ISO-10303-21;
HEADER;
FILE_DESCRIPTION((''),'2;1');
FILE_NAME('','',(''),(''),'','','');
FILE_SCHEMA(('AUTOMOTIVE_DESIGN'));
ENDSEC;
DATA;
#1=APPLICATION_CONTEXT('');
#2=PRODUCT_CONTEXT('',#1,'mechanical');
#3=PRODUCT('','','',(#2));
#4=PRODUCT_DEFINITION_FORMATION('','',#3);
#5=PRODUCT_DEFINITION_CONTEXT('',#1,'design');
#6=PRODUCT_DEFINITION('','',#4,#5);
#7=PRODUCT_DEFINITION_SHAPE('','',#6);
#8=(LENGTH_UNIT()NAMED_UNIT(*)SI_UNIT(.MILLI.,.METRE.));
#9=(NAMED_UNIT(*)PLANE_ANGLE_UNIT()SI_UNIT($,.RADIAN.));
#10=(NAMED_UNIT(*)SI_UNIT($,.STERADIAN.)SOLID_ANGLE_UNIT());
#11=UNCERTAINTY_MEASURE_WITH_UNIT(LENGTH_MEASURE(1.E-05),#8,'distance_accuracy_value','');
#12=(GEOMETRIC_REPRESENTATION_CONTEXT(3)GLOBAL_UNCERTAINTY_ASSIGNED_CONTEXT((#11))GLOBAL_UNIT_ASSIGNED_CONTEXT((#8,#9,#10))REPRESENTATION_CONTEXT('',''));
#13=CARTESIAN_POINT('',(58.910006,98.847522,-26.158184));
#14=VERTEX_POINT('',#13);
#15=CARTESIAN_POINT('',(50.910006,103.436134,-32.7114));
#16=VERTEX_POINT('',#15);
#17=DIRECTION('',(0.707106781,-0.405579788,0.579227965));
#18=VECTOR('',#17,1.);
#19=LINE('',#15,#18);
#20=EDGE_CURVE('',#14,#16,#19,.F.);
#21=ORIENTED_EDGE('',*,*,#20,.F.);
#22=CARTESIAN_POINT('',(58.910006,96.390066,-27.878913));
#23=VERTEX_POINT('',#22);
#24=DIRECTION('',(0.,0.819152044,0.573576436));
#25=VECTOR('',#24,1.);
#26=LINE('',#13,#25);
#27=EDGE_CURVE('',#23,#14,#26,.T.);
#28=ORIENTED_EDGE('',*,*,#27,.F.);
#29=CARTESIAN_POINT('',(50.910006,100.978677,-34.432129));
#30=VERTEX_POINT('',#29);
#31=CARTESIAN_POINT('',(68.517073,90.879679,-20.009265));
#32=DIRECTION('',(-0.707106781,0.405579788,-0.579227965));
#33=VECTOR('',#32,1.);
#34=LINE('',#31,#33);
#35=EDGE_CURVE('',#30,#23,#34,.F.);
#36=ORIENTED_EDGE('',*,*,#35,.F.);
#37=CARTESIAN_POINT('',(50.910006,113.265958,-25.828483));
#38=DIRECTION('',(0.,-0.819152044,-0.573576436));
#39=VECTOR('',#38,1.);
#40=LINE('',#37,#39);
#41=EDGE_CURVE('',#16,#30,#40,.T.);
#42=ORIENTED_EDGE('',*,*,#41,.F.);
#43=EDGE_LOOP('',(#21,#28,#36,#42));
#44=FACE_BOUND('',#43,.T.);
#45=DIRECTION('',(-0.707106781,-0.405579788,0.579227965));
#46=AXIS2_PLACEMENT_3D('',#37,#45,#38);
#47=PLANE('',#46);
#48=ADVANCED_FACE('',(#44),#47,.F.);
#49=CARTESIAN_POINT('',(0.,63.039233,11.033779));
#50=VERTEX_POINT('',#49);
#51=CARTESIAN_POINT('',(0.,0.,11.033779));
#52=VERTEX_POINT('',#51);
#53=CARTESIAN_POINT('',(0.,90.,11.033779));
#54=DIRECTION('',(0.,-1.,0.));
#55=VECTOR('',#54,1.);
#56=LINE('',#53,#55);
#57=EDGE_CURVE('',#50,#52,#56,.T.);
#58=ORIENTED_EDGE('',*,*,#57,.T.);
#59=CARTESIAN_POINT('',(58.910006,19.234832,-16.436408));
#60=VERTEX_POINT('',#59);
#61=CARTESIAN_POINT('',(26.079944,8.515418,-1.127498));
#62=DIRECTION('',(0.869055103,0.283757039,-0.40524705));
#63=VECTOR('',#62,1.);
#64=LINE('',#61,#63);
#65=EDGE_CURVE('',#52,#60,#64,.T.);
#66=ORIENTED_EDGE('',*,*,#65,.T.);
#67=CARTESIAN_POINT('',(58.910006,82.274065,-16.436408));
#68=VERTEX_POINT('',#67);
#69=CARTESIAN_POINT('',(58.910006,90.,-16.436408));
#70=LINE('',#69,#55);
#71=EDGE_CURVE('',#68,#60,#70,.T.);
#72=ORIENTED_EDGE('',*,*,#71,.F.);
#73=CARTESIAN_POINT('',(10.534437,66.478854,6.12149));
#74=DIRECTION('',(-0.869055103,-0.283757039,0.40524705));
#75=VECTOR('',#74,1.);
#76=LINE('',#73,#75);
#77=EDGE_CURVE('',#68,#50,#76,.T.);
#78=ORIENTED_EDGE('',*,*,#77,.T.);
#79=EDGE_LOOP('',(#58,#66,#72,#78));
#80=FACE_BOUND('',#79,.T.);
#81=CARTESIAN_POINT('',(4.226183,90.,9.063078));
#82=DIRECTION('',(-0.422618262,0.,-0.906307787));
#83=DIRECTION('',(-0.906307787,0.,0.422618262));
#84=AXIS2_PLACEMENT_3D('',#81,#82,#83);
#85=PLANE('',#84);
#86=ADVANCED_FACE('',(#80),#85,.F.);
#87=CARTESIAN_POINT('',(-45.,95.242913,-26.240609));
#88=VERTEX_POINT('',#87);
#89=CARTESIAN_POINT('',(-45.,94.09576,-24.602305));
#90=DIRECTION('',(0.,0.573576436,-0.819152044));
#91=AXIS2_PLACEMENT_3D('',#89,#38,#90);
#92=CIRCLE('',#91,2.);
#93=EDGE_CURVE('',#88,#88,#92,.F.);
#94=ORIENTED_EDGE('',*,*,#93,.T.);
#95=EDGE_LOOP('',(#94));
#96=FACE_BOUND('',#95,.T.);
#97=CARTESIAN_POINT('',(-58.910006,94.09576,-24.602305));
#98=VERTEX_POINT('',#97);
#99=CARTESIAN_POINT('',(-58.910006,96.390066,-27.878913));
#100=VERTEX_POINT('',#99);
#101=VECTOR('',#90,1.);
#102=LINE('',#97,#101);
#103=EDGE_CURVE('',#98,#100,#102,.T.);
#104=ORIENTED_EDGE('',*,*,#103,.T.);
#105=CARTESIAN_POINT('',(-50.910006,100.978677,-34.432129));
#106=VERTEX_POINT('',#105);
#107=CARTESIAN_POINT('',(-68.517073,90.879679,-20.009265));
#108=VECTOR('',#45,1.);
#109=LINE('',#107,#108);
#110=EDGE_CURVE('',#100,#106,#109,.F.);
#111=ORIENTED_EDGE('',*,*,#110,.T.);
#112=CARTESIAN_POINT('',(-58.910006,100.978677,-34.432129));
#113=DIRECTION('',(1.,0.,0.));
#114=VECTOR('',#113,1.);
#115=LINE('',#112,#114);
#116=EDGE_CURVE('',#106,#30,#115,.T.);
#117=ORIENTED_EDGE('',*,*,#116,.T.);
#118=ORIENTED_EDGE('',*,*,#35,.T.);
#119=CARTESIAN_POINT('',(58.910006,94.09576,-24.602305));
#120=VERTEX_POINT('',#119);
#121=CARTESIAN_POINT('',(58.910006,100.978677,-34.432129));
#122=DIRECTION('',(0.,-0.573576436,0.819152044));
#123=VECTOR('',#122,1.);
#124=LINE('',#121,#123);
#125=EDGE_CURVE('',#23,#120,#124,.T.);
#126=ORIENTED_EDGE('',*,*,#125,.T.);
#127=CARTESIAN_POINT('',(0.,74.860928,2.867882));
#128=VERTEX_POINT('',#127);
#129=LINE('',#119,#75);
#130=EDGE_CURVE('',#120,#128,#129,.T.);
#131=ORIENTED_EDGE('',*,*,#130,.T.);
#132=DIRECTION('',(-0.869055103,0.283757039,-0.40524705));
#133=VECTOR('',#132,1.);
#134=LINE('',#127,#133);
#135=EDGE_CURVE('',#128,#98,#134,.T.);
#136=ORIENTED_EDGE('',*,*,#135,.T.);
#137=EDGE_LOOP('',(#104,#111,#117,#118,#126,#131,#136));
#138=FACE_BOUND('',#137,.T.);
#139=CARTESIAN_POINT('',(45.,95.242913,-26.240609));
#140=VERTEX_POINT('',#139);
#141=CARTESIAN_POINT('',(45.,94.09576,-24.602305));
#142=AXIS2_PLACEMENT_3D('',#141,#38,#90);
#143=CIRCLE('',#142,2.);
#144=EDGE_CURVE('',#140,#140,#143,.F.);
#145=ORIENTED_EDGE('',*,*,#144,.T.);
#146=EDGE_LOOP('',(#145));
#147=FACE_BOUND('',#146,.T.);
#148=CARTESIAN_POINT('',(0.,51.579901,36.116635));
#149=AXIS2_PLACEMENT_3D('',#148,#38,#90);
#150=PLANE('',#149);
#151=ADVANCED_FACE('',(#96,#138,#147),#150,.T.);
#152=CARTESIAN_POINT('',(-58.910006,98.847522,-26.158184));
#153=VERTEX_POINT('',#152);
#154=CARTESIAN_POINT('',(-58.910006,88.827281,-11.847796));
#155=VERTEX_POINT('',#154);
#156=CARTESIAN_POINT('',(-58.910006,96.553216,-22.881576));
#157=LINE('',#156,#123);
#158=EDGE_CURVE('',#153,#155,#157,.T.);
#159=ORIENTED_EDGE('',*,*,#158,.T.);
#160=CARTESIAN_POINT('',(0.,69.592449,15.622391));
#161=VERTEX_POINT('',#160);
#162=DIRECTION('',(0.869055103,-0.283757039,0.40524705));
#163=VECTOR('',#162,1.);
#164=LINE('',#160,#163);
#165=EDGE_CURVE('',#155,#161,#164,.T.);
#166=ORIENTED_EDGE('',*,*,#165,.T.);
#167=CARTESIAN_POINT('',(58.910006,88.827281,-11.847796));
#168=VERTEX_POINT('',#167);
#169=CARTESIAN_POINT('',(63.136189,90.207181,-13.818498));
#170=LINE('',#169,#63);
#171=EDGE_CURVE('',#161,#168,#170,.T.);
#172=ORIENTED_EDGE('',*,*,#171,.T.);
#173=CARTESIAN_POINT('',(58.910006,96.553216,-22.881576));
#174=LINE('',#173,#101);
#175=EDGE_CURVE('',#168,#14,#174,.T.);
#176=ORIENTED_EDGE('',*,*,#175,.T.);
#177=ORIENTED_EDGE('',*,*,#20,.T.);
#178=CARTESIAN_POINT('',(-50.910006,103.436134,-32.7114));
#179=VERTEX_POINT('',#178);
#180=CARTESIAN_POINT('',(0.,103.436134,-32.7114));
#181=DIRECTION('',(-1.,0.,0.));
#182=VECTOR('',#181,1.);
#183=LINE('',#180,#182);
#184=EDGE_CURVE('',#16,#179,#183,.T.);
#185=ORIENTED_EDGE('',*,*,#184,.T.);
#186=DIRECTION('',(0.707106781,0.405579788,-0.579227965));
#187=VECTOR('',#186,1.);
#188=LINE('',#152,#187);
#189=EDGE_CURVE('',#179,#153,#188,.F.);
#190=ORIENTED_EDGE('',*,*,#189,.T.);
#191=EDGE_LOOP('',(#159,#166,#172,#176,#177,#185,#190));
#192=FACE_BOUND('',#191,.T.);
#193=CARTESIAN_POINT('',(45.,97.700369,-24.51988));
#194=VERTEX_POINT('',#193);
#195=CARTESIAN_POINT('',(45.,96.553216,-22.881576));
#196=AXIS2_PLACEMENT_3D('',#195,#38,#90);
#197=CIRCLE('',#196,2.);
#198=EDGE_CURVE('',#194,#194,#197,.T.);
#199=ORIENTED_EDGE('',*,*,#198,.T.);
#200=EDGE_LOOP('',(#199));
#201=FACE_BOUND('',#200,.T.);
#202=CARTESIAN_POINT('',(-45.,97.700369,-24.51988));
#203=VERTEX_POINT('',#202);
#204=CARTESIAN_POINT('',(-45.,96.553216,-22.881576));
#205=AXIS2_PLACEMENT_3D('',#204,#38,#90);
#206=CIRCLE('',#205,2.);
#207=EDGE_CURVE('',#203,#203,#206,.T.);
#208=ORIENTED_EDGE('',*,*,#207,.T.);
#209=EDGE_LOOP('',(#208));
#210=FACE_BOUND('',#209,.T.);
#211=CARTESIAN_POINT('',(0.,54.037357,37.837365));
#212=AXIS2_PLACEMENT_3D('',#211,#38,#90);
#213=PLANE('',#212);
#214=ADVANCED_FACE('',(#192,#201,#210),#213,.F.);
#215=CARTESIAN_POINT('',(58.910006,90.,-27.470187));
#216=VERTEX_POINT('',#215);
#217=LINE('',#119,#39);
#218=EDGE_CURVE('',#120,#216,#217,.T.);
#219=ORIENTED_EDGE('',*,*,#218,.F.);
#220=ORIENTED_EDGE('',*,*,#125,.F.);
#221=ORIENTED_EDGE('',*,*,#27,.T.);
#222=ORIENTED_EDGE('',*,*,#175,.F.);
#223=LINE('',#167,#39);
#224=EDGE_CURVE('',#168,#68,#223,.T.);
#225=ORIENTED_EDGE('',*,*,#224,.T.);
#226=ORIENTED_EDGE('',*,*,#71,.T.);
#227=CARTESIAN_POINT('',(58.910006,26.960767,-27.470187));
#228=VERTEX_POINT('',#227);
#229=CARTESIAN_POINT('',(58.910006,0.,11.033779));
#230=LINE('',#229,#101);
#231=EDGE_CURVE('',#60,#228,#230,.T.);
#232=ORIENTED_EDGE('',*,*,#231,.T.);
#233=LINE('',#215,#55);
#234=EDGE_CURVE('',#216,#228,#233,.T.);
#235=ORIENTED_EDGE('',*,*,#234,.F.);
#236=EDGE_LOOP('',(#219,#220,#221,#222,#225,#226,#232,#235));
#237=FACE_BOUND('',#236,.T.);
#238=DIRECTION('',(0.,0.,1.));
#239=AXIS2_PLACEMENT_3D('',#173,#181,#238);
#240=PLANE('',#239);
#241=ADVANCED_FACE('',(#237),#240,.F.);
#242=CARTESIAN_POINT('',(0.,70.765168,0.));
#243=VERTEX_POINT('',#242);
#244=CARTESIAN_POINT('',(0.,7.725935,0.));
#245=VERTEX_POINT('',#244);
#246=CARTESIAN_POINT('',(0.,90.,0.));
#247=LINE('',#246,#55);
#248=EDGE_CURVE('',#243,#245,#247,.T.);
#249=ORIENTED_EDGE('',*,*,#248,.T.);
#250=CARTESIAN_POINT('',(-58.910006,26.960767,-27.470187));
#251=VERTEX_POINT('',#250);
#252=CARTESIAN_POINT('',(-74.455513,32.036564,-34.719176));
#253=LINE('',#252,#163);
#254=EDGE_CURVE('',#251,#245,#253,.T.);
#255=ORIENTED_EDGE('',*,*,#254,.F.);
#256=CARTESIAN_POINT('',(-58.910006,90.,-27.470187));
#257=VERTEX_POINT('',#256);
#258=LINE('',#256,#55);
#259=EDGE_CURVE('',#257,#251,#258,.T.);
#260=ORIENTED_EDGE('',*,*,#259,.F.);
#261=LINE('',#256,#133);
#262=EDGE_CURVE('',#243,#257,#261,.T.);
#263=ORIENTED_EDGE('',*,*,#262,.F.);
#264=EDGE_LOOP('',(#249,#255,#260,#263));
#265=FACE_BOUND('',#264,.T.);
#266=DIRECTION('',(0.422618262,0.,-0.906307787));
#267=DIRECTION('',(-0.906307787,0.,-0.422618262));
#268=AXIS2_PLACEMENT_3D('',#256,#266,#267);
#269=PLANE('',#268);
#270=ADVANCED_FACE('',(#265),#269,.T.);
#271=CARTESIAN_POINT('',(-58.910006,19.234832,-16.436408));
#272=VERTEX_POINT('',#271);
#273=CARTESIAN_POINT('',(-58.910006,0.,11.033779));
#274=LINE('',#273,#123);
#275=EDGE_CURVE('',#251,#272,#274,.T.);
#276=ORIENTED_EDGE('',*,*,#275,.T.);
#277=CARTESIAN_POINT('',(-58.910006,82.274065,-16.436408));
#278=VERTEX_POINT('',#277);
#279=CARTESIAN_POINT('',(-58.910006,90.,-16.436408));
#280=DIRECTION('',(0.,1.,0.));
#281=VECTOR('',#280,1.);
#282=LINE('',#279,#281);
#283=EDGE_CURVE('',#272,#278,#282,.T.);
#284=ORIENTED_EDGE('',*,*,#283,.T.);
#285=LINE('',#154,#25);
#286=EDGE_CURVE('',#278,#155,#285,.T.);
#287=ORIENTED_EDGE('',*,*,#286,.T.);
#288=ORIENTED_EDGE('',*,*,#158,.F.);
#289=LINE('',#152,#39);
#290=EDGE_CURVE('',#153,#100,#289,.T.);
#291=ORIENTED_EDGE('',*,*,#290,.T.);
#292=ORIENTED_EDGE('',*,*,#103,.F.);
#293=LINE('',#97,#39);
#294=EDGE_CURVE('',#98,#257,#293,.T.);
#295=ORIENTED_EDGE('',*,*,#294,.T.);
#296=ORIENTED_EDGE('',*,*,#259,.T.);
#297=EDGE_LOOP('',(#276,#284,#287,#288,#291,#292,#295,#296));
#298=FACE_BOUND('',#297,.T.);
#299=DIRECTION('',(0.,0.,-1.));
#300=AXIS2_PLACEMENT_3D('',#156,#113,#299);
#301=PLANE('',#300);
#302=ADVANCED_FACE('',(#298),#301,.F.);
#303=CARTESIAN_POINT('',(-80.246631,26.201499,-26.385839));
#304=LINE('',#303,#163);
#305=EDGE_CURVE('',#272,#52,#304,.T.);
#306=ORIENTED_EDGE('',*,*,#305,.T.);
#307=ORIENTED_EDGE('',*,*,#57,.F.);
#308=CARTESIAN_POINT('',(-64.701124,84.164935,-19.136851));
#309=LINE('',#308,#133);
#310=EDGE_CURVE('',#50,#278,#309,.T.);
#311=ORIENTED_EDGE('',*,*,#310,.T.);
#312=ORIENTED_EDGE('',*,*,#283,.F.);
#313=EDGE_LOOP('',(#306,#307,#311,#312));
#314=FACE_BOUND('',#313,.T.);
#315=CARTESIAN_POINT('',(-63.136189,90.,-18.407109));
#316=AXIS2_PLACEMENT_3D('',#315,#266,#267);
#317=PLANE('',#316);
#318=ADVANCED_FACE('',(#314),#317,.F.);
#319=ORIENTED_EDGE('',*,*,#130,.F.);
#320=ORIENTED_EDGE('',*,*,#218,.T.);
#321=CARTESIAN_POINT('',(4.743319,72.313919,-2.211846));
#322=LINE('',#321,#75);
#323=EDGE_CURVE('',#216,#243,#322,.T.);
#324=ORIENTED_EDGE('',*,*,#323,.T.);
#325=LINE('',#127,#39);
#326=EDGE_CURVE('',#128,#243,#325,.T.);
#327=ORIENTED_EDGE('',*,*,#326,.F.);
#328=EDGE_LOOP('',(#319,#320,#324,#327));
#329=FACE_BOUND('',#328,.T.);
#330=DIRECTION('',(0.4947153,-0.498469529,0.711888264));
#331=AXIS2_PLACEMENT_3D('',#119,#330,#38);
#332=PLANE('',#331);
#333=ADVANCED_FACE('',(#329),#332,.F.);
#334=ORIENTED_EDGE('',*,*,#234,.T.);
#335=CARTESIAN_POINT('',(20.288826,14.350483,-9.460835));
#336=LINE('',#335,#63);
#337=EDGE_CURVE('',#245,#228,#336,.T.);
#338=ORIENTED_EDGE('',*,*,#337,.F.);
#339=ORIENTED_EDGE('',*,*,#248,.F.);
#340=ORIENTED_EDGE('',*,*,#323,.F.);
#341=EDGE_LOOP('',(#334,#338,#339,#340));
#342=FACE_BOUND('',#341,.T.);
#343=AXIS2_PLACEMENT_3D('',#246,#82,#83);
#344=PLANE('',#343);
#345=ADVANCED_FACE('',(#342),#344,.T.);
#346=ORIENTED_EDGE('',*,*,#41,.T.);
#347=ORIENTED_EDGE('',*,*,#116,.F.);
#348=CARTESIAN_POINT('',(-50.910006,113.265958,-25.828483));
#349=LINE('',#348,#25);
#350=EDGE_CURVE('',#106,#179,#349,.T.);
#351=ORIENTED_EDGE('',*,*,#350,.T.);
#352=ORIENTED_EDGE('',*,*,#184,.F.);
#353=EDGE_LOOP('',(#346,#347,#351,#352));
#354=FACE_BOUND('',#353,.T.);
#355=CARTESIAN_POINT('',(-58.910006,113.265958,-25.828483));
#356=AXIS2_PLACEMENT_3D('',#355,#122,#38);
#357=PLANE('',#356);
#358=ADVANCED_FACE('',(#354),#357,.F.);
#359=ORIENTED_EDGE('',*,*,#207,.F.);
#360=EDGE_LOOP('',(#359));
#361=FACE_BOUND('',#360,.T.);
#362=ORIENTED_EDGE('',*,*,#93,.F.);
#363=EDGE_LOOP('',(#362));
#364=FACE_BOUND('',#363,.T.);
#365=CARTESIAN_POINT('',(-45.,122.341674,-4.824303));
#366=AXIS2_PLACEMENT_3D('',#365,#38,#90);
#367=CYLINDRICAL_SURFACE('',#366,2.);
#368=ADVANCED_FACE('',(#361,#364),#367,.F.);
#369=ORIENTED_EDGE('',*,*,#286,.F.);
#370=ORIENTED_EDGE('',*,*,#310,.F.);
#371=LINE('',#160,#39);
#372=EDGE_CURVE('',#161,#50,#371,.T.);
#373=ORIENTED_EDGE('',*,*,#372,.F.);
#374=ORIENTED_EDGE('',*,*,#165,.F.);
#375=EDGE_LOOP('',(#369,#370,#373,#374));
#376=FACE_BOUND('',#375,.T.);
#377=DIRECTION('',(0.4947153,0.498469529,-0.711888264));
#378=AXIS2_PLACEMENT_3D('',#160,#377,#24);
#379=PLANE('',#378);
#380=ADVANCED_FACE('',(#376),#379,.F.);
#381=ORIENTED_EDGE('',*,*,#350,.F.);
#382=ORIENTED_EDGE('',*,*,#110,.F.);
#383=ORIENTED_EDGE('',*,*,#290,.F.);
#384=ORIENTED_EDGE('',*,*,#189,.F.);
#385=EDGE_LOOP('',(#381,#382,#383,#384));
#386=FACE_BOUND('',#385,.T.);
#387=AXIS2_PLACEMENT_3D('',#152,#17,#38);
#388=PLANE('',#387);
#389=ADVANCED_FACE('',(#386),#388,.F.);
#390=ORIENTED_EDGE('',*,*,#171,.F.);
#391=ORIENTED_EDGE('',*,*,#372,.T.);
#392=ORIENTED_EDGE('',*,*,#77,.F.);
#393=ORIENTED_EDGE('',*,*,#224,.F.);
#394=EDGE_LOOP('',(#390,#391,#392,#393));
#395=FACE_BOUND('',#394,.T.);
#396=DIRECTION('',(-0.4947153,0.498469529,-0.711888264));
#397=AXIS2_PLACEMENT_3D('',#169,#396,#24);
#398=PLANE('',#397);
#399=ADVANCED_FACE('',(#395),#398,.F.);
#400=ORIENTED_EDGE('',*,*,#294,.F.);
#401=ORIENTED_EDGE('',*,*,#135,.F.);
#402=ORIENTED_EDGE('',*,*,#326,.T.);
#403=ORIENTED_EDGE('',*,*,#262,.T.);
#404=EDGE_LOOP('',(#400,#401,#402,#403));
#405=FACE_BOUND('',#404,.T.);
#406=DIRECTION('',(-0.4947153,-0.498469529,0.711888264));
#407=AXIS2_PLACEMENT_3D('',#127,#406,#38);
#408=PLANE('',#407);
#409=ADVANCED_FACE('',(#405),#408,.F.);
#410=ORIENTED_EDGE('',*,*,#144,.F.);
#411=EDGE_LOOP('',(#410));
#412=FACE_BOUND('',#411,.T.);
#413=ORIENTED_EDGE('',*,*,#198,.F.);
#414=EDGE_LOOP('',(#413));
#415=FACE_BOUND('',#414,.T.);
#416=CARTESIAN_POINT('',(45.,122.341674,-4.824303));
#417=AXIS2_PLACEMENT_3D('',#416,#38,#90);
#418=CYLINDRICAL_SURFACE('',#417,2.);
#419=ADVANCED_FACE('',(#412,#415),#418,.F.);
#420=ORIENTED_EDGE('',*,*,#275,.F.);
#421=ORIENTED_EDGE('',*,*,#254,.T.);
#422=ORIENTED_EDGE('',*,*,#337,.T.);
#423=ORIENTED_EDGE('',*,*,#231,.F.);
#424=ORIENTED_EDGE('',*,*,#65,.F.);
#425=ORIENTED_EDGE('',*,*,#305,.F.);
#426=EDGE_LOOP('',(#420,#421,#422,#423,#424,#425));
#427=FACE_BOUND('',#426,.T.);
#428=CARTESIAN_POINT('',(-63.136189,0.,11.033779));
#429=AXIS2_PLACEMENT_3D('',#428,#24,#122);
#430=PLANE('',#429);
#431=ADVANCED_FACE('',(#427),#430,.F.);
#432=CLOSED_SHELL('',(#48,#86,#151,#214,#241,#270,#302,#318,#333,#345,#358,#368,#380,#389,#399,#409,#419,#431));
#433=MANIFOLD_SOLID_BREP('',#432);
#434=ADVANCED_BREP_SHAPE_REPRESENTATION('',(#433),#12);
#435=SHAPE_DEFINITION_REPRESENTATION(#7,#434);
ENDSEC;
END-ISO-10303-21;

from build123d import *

# Parameters (mm, degrees)
EXTRUDE_2_DEPTH          = 90
CUT_EXTRUDE_1_DEPTH      = 114.317207464
CUT_EXTRUDE_1_DEPTH_BACK = 114.317207464
EXTRUDE_3_DEPTH          = 8
SKETCH_8_OUTSIDE_W       = 163.572
SKETCH_8_OUTSIDE_H       = 147.98
SKETCH_8_OUTSIDE_W_2     = 117.820012314
SKETCH_8_OUTSIDE_H_2     = 106.962978805
CUT_EXTRUDE_2_DEPTH      = 117.531399887
SKETCH_9_R               = 2
CUT_EXTRUDE_3_DEPTH      = 115.369004136
SKETCH_10_W              = 117.820012314
SKETCH_10_H              = 8
CUT_EXTRUDE_4_DEPTH      = 20
CUT_EXTRUDE_6_DEPTH      = 5
CHAMFER_1_SIZE           = 8


with BuildPart() as part:
    # 草图5 → 拉伸-薄壁2 (new body)
    with BuildSketch(Plane(origin=(0, 0, 0), x_dir=(1, 0, 0), z_dir=(0, 1, 0))):
        Polygon((-58.910006157, 27.470187013), (0, 0), (58.910006157, 27.470187013), (63.136188775, 18.407109143), (0, -11.03377919), (-63.136188775, 18.407109143), align=None)
    extrude(amount=EXTRUDE_2_DEPTH)

    # 草图6 → 切除-拉伸1 (cut, two sides: drawn at the far end of the back side and taken through both)
    with BuildSketch(Plane(origin=(0, 0, 0), x_dir=(0, 0, -1), z_dir=(1, 0, 0)).offset(-CUT_EXTRUDE_1_DEPTH_BACK)):
        Polygon((-11.03377919, 0), (27.470187013, 26.960767386), (27.470187013, 0), align=None)
        Polygon((27.470187013, 90), (-11.03377919, 63.039232614), (-11.03377919, 90), align=None)
    extrude(amount=CUT_EXTRUDE_1_DEPTH + CUT_EXTRUDE_1_DEPTH_BACK, mode=Mode.SUBTRACT)

    # 草图7 → 凸台-拉伸3 (add)
    with BuildSketch(Plane(origin=(0, 47.484140436, 33.248753079), x_dir=(1, 0, 0), z_dir=(0, 0.8191520442889949, 0.5735764363510419))):
        Polygon((63.136188775, 63.06016396), (58.910006157, 74.12413912), (58.910006157, 94.12413912), (-58.910006157, 94.12413912), (-58.910006157, 74.12413912), (-63.136188775, 63.06016396), (0, 27.119475614), align=None)
    extrude(amount=EXTRUDE_3_DEPTH)

    # 草图8 outside → 切除-拉伸2 (cut, through all)
    with BuildSketch(Plane(origin=(0, 54.03735679, 37.837364569), x_dir=(1, 0, 0), z_dir=(0, 0.8191520442889948, 0.5735764363510418))):
        with Locations((0, 42.543)):
            Rectangle(SKETCH_8_OUTSIDE_W, SKETCH_8_OUTSIDE_H)
        with Locations((0, 40.642649718)):
            Rectangle(SKETCH_8_OUTSIDE_W_2, SKETCH_8_OUTSIDE_H_2, mode=Mode.SUBTRACT)
    extrude(amount=-CUT_EXTRUDE_2_DEPTH, mode=Mode.SUBTRACT)

    # 草图9 → 切除-拉伸3 (cut, through all)
    with BuildSketch(Plane(origin=(0, 47.484140436, 33.248753079), x_dir=(1, 0, 0), z_dir=(0, -0.8191520442889949, -0.5735764363510419))):
        with Locations(Location((-45, -74.12413912, 0), (0, 0, 270))):
            Circle(SKETCH_9_R)
        with Locations(Location((45, -74.12413912, 0), (0, 0, 270))):
            Circle(SKETCH_9_R)
    extrude(amount=-CUT_EXTRUDE_3_DEPTH, mode=Mode.SUBTRACT)

    # 草图10 → 切除-拉伸4 (cut)
    with BuildSketch(Plane(origin=(0, 47.484140436, 33.248753079), x_dir=(1, 0, 0), z_dir=(0, -0.8191520442889949, -0.5735764363510419))):
        with Locations((0, -90.12413912)):
            Rectangle(SKETCH_10_W, SKETCH_10_H)
    extrude(amount=-CUT_EXTRUDE_4_DEPTH, mode=Mode.SUBTRACT)

    # 草图11 → 切除-拉伸6 (cut)
    with BuildSketch(Plane(origin=(0, 47.484140436, 33.248753079), x_dir=(1, 0, 0), z_dir=(0, -0.8191520442889949, -0.5735764363510419))):
        Polygon((-58.910006157, -86.12413912), (58.910006157, -86.12413912), (58.910006157, -74.12413912), (0, -40.589232866), (-58.910006157, -74.12413912), align=None)
    extrude(amount=-CUT_EXTRUDE_6_DEPTH, mode=Mode.SUBTRACT)

    # 倒角1
    chamfer_1_edges = [part.edges().sort_by_distance(p)[0] for p in [
        (-58.910006157, 102.207405524, -33.571764708),
        (58.910006157, 102.207405524, -33.571764708),
    ]]
    chamfer(chamfer_1_edges, length=CHAMFER_1_SIZE)


solid = part.part
